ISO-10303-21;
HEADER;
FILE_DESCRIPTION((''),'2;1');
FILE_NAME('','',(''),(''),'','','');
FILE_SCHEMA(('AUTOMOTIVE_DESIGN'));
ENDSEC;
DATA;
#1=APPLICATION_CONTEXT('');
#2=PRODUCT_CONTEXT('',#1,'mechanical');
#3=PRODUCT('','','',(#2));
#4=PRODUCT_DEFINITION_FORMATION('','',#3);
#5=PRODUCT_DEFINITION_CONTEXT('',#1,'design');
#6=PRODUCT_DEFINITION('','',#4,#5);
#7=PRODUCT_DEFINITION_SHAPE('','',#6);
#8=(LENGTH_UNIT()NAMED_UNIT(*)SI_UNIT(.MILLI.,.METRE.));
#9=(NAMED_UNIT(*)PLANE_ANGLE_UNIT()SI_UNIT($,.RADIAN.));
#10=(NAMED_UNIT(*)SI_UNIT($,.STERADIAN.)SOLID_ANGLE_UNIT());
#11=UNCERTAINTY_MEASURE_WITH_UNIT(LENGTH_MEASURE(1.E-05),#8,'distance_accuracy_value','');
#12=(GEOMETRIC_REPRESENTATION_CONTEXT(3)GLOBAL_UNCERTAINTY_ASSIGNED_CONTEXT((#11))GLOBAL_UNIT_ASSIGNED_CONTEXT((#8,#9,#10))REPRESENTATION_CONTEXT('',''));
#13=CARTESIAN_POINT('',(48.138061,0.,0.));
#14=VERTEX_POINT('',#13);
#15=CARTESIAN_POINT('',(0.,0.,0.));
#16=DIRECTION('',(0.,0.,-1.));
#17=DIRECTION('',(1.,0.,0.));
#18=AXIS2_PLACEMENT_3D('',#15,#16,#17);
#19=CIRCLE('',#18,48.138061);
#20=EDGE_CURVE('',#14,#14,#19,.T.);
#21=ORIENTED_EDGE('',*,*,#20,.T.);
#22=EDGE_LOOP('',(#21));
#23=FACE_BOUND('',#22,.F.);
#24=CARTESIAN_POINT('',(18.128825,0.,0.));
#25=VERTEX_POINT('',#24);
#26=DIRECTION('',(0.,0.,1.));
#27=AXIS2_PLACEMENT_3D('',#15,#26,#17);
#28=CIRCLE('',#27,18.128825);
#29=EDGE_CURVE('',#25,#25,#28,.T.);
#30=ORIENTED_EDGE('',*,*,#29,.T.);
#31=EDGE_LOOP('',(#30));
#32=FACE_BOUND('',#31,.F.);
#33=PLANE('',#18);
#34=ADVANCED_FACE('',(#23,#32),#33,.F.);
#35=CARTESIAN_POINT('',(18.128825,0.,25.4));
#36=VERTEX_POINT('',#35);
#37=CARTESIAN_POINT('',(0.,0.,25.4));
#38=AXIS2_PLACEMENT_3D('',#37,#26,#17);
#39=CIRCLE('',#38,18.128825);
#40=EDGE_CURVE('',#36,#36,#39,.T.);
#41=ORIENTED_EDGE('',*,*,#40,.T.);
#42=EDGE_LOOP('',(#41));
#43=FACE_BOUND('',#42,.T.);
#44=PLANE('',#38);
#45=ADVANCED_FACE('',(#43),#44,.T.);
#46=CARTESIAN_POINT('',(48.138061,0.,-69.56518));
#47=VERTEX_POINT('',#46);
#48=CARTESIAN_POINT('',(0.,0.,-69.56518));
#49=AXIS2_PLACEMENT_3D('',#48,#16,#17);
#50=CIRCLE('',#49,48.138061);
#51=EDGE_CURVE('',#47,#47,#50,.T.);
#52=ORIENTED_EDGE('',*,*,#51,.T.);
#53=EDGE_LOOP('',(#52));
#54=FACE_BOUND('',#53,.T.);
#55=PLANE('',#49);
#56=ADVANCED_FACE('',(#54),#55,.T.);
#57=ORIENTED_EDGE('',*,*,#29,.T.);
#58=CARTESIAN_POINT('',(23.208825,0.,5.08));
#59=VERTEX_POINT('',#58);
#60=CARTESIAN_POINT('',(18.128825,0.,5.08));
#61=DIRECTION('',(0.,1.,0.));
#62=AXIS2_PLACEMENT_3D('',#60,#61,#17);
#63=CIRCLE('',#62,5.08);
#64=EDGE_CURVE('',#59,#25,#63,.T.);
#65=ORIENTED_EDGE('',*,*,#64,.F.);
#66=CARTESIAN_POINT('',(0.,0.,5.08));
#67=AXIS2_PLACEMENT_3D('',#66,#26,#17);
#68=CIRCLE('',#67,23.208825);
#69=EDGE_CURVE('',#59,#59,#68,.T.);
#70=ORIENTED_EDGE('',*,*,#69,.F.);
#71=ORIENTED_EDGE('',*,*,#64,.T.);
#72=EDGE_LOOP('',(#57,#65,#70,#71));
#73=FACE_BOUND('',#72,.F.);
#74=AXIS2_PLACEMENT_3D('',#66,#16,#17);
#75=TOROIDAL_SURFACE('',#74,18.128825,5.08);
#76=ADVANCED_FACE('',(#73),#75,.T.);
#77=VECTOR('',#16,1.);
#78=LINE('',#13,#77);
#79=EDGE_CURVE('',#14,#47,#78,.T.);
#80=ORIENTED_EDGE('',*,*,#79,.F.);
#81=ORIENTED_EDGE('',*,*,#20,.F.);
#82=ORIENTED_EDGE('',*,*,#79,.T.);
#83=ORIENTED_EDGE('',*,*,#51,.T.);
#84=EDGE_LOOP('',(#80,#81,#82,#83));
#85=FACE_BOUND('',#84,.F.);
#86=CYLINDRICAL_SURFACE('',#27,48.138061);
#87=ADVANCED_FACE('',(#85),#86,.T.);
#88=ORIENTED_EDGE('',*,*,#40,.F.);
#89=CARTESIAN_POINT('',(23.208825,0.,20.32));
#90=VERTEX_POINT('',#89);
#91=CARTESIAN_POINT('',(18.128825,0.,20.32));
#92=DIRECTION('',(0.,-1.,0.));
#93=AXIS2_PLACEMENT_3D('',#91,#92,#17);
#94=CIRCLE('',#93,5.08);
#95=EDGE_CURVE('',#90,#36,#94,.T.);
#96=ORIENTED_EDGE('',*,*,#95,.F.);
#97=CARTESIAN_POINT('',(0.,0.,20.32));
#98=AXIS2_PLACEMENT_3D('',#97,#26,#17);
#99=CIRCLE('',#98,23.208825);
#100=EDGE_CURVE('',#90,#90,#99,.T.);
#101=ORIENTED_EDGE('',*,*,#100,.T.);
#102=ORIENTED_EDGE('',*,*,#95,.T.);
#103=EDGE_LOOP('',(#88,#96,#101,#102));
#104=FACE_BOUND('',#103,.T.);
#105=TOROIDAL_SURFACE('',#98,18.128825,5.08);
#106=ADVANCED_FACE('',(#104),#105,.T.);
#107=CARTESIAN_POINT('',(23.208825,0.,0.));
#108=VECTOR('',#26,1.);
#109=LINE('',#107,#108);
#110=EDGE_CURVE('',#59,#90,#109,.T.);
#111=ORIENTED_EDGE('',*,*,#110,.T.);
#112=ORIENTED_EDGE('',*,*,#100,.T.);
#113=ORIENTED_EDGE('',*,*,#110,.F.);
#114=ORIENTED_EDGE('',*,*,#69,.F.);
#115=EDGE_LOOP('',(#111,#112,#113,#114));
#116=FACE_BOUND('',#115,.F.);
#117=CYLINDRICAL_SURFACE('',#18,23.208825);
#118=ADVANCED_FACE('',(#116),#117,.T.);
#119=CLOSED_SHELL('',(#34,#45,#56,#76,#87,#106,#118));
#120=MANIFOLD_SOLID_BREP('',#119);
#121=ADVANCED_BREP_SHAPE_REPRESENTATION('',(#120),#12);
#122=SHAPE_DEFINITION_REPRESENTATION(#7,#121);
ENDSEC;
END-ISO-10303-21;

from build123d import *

# Parameters (mm, degrees)
F0_R     = 23.208825
F1_DEPTH = 25.4
F2_R     = 5.08
F3_R     = 48.138061
F4_DEPTH = 69.56518


with BuildPart() as f1:
    # F0 (on Top) → F1 (new body)
    with BuildSketch(Plane.XY):
        Circle(F0_R)
    extrude(amount=F1_DEPTH)

    # F2
    f2_edges = [f1.edges().sort_by_distance(p)[0] for p in [
        (-23.208825, 0, 0),
        (-23.208825, 0, 25.4),
    ]]
    fillet(f2_edges, radius=F2_R)

    # F3 (on face) → F4 (join)
    with BuildSketch(Plane(origin=(0, 0, 0), x_dir=(1, 0, 0), z_dir=(0, 0, -1))):
        Circle(F3_R)
    extrude(amount=F4_DEPTH)


solid = f1.part
